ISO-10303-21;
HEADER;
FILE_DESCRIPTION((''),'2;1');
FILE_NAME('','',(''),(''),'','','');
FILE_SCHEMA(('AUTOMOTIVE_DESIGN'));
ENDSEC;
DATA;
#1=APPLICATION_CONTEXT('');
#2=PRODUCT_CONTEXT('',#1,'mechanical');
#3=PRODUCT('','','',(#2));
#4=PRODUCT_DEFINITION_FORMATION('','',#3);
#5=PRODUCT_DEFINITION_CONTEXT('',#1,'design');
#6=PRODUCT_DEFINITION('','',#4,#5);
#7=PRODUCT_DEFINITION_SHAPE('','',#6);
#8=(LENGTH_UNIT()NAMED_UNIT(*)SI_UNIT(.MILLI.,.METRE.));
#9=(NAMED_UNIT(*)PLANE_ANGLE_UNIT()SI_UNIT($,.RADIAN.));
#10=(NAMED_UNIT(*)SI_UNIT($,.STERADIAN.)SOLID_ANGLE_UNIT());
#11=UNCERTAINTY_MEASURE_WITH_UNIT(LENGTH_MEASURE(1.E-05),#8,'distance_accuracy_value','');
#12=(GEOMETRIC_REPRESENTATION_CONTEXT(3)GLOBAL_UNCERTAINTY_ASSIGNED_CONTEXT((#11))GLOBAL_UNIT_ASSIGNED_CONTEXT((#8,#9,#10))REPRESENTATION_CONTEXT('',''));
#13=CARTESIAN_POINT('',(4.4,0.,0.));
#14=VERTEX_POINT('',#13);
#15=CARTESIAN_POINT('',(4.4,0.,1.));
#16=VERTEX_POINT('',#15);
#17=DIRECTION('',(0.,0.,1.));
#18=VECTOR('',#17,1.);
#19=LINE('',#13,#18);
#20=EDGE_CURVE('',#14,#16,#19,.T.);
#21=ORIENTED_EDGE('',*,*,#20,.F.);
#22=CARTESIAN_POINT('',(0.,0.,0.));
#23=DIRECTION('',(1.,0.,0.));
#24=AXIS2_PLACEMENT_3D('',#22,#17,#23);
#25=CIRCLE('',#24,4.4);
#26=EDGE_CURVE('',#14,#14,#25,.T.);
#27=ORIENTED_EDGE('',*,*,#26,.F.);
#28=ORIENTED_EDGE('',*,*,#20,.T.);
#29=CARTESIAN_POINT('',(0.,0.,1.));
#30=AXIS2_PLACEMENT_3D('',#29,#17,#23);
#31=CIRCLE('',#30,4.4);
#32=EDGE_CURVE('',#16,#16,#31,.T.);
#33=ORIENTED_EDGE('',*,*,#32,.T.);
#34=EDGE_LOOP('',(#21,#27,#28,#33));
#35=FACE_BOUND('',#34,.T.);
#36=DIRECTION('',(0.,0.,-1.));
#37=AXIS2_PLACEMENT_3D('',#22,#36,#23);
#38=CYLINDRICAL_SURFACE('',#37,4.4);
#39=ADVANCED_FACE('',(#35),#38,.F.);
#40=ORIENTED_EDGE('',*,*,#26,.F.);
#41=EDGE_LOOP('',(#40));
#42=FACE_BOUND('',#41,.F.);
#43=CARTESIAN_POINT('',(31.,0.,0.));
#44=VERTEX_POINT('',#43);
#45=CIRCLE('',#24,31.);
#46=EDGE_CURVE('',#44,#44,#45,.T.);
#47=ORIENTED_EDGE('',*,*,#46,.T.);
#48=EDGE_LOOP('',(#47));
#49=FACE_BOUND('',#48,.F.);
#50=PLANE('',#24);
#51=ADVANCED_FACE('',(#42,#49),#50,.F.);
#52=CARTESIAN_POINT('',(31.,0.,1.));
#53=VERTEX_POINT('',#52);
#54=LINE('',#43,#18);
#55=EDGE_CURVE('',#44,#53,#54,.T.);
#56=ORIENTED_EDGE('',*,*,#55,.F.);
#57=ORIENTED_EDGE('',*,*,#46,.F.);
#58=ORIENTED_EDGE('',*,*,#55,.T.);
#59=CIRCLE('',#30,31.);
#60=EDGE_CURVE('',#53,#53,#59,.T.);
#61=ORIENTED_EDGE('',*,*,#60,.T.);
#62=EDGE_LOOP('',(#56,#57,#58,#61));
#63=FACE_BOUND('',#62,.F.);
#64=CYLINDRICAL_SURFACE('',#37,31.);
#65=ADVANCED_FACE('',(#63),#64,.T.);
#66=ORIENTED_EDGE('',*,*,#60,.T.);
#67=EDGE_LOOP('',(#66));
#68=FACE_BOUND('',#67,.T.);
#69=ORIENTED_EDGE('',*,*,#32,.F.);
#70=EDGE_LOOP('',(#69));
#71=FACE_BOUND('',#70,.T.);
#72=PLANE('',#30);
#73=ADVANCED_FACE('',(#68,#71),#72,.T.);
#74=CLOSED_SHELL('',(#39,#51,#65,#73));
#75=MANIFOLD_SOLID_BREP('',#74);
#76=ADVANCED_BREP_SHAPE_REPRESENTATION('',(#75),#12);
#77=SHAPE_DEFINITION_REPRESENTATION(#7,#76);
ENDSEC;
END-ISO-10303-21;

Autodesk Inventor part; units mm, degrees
ref_plane "YZ Plane" through (0, 0, 0) normal (1, 0, 0) x (0, 1, 0)
ref_plane "XZ Plane" through (0, 0, 0) normal (0, 1, 0) x (-1, 0, 0)
ref_plane "XY Plane" through (0, 0, 0) normal (0, 0, 1) x (1, 0, 0)
sketch "スケッチ1" plane through (0, 0, 0) normal (0, 0, 1) x (1, 0, 0)
  circle A0 centre (0, 0) radius 4.4
  circle A1 centre (0, 0) radius 31
  dimension "d0" = 8.8
  dimension "d1" = 62
extrude "押し出し1" add sketch "スケッチ1" along normal blind 1
properties part number "disc"
